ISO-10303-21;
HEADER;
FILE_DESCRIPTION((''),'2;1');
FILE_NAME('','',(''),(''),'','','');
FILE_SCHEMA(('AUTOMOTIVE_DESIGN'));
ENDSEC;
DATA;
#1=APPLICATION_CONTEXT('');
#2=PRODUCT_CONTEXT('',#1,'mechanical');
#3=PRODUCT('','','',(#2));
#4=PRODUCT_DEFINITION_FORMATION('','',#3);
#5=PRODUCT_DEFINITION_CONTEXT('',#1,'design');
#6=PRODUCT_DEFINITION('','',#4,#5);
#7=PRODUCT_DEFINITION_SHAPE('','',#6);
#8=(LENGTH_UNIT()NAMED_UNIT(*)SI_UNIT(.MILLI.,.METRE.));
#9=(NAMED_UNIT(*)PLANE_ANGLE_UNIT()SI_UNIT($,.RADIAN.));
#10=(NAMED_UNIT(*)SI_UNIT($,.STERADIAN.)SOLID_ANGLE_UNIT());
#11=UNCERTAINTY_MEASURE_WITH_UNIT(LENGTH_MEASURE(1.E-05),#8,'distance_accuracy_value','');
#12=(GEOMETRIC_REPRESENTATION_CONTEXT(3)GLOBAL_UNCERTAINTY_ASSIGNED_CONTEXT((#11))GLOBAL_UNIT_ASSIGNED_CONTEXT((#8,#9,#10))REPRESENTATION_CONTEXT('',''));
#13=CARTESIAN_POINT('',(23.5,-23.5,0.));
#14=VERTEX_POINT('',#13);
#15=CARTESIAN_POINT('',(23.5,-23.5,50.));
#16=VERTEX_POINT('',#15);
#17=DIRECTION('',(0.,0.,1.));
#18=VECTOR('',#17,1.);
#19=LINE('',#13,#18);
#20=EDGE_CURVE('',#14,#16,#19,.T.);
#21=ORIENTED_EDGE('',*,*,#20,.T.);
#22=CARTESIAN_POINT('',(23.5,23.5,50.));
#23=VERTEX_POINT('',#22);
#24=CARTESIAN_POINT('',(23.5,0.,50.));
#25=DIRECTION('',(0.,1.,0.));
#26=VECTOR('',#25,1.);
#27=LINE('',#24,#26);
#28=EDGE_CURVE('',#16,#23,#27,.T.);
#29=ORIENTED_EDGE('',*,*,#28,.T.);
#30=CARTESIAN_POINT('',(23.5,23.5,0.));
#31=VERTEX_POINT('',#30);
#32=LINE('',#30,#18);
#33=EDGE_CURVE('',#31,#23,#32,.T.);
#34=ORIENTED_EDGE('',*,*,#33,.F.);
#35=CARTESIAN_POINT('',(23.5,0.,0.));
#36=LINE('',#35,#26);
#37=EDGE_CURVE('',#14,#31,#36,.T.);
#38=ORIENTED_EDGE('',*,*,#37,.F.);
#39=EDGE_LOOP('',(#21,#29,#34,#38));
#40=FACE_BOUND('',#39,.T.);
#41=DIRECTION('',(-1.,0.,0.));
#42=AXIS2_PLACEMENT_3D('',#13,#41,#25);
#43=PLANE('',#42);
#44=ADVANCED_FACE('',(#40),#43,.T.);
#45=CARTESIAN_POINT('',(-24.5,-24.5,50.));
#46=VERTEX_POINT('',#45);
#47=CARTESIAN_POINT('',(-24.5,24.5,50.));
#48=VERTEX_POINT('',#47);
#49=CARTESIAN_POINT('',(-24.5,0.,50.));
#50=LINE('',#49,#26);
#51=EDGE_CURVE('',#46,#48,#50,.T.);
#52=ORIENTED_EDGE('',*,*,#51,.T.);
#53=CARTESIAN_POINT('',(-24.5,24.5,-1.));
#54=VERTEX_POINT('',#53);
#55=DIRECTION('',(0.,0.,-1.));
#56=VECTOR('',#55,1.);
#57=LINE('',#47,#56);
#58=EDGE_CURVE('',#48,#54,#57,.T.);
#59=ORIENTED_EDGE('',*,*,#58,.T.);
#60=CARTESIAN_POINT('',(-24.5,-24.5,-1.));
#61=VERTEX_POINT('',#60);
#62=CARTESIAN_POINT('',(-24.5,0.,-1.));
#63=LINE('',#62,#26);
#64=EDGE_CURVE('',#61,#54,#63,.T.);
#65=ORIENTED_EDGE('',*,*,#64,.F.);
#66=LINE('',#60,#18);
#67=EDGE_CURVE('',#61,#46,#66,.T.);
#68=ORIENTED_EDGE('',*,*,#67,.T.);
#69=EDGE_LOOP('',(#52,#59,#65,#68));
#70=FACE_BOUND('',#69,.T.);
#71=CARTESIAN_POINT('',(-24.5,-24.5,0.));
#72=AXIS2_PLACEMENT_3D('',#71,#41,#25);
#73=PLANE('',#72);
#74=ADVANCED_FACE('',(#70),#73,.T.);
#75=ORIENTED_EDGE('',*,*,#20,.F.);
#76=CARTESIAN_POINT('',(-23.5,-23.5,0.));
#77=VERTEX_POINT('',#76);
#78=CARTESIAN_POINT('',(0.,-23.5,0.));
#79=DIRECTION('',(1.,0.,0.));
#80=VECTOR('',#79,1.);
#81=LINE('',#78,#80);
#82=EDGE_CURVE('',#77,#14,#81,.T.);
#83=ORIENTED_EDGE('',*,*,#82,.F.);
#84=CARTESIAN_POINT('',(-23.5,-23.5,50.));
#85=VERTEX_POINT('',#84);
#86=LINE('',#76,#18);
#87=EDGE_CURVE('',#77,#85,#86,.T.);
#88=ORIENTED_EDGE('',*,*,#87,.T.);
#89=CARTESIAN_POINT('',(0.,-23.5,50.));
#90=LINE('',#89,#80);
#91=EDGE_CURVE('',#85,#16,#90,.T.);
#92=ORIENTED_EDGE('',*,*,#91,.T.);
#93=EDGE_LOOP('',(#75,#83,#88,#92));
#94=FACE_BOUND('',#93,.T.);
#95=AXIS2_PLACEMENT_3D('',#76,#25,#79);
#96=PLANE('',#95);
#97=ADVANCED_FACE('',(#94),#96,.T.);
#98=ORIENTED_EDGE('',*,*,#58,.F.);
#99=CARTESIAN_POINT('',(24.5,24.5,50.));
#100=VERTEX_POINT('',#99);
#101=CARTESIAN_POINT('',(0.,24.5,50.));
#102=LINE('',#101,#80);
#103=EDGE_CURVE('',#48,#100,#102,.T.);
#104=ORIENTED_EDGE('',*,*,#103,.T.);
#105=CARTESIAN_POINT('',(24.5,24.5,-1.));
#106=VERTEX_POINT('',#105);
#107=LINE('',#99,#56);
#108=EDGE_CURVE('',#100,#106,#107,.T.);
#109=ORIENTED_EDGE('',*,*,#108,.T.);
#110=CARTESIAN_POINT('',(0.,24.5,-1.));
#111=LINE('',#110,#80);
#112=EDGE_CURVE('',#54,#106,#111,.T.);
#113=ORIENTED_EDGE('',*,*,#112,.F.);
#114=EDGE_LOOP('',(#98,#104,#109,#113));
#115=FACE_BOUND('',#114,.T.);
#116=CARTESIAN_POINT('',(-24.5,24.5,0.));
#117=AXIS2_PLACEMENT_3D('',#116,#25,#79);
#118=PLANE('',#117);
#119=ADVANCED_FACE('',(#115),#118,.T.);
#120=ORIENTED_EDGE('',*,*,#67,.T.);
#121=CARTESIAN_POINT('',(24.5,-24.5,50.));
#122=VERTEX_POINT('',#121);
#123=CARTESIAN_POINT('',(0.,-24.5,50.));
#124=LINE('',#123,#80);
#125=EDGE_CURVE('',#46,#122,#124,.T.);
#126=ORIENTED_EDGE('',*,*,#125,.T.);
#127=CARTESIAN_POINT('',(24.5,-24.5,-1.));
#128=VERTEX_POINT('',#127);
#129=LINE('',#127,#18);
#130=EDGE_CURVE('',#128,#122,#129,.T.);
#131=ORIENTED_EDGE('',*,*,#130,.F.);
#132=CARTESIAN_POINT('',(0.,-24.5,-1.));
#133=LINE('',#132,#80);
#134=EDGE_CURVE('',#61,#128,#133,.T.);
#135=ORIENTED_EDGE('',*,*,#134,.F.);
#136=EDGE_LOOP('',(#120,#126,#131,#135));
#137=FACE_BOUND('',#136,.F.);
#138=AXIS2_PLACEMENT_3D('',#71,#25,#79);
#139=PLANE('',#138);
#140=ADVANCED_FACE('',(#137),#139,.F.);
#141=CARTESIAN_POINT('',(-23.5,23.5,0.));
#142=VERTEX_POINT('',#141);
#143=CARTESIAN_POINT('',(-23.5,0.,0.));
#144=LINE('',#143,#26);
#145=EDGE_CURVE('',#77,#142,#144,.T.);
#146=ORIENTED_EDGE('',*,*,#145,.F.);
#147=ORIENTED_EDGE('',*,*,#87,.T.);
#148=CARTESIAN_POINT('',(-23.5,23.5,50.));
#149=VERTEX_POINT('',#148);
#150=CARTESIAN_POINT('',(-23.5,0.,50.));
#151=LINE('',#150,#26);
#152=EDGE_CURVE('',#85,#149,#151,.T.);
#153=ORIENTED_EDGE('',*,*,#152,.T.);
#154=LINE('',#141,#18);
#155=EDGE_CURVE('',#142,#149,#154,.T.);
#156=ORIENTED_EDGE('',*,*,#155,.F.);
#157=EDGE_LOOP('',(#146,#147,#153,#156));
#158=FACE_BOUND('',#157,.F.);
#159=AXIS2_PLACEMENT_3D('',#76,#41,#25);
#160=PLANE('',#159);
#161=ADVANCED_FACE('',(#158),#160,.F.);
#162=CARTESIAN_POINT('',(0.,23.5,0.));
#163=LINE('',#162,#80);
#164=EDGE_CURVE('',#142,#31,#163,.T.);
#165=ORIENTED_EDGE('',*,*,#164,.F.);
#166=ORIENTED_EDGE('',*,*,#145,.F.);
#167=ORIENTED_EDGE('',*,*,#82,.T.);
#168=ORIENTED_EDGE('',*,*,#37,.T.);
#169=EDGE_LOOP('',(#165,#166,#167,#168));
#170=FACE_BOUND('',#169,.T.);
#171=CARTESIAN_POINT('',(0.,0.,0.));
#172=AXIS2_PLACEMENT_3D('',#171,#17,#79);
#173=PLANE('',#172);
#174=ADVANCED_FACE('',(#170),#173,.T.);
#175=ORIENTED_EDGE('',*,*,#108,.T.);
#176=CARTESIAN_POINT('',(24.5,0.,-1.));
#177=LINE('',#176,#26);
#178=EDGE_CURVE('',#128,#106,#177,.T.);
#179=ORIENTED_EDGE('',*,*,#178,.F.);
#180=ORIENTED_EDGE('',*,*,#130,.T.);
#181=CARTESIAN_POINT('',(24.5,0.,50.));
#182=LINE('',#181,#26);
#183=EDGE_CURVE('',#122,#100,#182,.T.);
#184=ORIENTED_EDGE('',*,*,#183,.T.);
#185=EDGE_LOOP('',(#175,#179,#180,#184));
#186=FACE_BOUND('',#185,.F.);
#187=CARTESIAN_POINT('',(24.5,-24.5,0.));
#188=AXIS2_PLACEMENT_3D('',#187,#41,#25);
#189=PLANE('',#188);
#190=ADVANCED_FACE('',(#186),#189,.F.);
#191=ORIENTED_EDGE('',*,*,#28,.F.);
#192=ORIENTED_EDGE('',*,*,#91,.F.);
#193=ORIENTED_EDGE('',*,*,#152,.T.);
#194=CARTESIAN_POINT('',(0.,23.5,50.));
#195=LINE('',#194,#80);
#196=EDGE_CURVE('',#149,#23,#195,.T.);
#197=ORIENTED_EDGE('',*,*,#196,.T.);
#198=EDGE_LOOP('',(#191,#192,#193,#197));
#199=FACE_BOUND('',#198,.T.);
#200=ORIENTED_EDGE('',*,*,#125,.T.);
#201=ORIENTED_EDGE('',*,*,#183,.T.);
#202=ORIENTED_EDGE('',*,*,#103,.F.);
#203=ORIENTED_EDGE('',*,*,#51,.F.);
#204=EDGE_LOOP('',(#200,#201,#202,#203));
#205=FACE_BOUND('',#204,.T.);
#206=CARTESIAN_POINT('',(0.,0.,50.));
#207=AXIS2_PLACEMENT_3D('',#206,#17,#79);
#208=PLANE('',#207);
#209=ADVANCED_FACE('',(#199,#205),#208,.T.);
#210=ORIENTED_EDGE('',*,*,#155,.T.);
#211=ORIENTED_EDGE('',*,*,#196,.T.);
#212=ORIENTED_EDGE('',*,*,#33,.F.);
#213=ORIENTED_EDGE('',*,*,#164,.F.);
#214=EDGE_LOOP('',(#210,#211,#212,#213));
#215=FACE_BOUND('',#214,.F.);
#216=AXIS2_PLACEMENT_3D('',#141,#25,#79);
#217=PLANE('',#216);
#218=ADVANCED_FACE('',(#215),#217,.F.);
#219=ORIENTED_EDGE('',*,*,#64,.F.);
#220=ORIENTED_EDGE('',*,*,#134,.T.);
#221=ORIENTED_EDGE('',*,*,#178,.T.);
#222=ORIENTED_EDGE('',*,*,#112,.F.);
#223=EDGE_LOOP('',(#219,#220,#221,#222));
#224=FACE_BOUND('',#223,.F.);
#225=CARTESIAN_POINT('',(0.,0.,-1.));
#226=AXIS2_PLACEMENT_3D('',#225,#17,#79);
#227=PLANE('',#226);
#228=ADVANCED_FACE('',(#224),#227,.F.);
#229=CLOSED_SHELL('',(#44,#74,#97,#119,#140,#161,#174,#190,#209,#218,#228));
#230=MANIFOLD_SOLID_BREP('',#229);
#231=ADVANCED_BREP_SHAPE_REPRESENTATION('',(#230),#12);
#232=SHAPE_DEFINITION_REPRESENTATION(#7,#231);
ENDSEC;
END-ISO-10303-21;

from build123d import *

# Parameters (mm, degrees)
F0_W     = 49
F0_H     = 49
F0_W_2   = 47
F0_H_2   = 47
F1_DEPTH = 1
F2_DEPTH = 50


with BuildPart() as f1:
    # F0 (on Top) → F1 (new body)
    with BuildSketch(Plane.XY):
        Rectangle(F0_W, F0_H)
        Rectangle(F0_W_2, F0_H_2, mode=Mode.SUBTRACT)
        Rectangle(F0_W_2, F0_H_2)
    extrude(amount=-F1_DEPTH)

    # F0 (on Top) → F2 (join)
    with BuildSketch(Plane.XY):
        Rectangle(F0_W, F0_H)
        Rectangle(F0_W_2, F0_H_2, mode=Mode.SUBTRACT)
    extrude(amount=F2_DEPTH)


solid = f1.part
